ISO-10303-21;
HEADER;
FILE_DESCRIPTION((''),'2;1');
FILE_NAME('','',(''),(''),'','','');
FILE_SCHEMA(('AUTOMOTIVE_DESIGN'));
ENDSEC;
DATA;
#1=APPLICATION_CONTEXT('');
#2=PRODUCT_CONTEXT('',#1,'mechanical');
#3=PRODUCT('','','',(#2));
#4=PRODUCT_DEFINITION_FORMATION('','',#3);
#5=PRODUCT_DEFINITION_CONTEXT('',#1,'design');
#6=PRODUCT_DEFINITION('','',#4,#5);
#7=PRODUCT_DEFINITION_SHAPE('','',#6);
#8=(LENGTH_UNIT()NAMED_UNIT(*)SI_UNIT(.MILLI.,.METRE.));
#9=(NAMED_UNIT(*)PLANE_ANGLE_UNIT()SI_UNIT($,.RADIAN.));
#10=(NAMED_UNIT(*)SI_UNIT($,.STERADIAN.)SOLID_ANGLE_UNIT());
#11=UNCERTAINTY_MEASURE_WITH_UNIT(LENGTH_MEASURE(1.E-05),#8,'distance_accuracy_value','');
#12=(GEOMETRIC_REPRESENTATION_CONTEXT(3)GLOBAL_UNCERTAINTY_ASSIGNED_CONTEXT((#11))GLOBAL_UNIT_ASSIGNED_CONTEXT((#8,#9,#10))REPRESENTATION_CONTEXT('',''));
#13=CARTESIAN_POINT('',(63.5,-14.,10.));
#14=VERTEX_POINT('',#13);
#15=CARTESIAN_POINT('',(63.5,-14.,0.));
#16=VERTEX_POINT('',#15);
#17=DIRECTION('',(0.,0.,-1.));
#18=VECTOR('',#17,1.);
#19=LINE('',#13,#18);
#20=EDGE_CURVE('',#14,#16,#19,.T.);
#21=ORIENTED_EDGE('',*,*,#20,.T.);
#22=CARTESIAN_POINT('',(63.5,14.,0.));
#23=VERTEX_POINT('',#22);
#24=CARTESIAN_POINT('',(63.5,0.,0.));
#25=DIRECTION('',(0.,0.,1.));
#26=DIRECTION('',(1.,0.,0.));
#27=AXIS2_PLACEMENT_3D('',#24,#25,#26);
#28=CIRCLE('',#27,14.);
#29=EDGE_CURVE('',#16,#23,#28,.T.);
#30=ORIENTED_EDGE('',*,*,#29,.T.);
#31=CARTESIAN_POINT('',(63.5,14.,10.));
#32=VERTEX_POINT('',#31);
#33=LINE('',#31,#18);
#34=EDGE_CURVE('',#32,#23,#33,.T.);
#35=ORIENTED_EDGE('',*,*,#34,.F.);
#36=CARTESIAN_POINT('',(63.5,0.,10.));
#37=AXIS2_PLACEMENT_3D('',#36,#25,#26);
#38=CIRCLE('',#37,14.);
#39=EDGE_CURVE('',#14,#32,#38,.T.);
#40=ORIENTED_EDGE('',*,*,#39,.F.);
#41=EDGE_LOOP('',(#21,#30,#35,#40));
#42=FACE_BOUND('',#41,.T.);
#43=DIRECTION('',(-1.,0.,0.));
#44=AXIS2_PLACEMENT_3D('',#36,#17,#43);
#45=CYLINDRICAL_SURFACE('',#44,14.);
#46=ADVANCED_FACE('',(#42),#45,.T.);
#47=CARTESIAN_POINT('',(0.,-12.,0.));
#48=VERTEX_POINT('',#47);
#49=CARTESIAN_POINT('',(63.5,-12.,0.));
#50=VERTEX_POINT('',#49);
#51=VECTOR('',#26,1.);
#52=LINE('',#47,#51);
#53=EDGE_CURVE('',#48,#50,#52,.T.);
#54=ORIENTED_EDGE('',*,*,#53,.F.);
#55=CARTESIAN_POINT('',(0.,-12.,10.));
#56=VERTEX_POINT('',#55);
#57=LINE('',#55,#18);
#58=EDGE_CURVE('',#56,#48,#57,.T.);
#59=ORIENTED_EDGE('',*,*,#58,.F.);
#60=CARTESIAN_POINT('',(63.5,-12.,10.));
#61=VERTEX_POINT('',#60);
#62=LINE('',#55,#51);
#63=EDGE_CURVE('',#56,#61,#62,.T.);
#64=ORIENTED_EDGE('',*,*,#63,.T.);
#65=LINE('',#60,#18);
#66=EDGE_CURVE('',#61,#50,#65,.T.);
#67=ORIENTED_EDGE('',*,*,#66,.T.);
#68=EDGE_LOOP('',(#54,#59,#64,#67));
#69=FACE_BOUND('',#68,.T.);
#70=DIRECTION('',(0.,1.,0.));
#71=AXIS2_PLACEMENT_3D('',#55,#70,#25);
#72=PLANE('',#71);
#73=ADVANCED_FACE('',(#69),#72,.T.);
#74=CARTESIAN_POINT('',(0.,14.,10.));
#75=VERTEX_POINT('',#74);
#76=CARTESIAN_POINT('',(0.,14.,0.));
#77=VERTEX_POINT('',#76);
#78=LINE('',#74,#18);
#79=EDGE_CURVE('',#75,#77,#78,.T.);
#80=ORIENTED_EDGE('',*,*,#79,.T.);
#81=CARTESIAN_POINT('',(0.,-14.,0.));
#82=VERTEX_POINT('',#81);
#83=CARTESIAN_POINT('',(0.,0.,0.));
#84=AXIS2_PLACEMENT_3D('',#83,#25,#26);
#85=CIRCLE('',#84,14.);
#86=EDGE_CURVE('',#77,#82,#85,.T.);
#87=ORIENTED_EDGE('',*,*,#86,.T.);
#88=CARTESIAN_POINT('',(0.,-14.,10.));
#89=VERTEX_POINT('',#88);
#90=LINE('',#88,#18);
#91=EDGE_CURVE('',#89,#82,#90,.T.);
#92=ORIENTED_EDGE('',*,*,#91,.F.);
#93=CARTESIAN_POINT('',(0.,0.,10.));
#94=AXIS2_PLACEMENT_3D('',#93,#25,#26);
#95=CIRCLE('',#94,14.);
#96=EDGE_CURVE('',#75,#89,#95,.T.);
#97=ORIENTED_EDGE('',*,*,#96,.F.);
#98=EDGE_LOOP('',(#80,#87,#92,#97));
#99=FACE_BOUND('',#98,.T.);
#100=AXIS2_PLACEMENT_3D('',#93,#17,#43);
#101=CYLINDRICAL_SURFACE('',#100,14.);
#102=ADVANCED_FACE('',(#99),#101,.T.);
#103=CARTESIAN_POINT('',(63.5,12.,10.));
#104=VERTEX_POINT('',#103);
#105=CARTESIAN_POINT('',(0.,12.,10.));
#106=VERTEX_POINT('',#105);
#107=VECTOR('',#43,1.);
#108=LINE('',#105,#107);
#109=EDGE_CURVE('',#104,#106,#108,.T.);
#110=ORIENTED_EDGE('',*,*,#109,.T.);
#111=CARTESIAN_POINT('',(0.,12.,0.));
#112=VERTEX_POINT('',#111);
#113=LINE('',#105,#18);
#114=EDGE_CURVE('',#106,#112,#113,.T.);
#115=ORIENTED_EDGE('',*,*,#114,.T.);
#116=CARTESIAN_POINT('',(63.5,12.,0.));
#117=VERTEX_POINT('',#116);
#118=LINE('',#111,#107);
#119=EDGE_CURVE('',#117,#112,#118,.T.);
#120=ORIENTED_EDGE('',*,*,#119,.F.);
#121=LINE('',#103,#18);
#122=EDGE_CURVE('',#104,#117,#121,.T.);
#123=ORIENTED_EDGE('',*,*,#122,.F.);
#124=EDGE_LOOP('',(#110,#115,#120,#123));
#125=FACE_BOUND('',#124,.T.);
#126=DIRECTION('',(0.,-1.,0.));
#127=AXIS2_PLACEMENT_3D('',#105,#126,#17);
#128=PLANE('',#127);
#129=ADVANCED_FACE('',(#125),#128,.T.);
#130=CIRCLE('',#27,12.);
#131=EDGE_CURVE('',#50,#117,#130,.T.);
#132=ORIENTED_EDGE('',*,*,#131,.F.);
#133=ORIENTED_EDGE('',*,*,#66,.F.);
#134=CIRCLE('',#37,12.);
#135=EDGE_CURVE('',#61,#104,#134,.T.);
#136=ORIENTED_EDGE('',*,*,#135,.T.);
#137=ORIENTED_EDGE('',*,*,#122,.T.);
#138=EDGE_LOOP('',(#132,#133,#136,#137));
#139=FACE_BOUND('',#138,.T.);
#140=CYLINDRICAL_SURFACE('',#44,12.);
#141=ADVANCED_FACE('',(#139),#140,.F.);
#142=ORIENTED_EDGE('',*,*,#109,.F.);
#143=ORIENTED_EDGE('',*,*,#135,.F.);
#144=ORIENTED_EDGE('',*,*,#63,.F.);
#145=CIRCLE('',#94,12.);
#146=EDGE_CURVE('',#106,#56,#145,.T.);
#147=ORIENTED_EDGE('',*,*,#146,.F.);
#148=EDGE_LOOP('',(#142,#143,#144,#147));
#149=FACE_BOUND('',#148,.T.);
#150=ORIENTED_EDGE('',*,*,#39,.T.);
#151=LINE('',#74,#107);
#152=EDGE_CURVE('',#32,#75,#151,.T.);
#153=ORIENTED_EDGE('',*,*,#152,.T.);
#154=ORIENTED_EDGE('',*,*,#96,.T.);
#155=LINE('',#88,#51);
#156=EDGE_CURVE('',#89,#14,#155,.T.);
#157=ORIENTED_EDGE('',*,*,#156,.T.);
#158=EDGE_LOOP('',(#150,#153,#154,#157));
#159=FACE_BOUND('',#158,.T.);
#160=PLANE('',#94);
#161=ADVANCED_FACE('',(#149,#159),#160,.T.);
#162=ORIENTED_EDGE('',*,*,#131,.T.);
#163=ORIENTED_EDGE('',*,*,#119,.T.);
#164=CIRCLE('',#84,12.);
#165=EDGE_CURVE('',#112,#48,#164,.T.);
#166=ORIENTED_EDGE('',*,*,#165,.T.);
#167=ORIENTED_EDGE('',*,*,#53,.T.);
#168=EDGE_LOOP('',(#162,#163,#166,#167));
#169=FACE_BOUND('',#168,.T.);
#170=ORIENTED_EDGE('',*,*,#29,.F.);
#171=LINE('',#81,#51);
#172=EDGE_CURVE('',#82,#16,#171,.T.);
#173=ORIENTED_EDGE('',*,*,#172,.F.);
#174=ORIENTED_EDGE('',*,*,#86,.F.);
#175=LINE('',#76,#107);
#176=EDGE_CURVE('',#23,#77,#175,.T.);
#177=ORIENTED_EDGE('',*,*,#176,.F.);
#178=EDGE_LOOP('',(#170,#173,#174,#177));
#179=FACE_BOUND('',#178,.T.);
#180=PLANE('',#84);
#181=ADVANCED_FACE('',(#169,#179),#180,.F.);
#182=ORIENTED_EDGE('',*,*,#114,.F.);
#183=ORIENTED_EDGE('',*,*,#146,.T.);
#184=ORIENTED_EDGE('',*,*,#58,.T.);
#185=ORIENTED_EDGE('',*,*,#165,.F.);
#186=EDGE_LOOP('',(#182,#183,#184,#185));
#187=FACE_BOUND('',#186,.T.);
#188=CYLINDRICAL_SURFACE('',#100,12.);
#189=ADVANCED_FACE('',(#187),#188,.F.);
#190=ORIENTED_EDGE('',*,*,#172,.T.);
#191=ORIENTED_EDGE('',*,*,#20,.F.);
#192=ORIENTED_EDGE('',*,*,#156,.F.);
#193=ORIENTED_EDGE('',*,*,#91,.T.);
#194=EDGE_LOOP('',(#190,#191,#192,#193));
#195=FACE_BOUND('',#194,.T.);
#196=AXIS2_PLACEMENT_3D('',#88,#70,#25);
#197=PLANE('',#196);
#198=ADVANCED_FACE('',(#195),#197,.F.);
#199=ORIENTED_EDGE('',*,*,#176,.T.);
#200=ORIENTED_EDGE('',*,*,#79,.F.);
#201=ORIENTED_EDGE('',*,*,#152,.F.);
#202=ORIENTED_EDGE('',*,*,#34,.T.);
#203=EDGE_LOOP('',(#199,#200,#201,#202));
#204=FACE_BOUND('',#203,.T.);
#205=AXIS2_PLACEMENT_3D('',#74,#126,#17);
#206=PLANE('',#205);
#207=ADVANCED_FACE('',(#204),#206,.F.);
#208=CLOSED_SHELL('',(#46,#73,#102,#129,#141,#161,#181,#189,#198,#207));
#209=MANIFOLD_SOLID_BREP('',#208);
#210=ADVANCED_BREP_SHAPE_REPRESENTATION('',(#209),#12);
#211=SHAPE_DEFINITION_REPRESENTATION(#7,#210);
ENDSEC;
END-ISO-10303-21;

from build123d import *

# Parameters (mm, degrees)
EXTRUDE_1_DEPTH = 10


with BuildPart() as part:
    # 草图1 → 凸台-拉伸1 (new body)
    with BuildSketch(Plane.XY):
        with BuildLine():
            Line((0, 14), (63.5, 14))
            ThreePointArc((63.5, 14), (77.5, 0), (63.5, -14))
            Line((63.5, -14), (0, -14))
            ThreePointArc((0, -14), (-14, 0), (0, 14))
        make_face()
        with BuildLine():
            Line((0, 12), (63.5, 12))
            ThreePointArc((63.5, 12), (75.5, 0), (63.5, -12))
            Line((63.5, -12), (0, -12))
            ThreePointArc((0, -12), (-12, 0), (0, 12))
        make_face(mode=Mode.SUBTRACT)
    extrude(amount=EXTRUDE_1_DEPTH)


solid = part.part
